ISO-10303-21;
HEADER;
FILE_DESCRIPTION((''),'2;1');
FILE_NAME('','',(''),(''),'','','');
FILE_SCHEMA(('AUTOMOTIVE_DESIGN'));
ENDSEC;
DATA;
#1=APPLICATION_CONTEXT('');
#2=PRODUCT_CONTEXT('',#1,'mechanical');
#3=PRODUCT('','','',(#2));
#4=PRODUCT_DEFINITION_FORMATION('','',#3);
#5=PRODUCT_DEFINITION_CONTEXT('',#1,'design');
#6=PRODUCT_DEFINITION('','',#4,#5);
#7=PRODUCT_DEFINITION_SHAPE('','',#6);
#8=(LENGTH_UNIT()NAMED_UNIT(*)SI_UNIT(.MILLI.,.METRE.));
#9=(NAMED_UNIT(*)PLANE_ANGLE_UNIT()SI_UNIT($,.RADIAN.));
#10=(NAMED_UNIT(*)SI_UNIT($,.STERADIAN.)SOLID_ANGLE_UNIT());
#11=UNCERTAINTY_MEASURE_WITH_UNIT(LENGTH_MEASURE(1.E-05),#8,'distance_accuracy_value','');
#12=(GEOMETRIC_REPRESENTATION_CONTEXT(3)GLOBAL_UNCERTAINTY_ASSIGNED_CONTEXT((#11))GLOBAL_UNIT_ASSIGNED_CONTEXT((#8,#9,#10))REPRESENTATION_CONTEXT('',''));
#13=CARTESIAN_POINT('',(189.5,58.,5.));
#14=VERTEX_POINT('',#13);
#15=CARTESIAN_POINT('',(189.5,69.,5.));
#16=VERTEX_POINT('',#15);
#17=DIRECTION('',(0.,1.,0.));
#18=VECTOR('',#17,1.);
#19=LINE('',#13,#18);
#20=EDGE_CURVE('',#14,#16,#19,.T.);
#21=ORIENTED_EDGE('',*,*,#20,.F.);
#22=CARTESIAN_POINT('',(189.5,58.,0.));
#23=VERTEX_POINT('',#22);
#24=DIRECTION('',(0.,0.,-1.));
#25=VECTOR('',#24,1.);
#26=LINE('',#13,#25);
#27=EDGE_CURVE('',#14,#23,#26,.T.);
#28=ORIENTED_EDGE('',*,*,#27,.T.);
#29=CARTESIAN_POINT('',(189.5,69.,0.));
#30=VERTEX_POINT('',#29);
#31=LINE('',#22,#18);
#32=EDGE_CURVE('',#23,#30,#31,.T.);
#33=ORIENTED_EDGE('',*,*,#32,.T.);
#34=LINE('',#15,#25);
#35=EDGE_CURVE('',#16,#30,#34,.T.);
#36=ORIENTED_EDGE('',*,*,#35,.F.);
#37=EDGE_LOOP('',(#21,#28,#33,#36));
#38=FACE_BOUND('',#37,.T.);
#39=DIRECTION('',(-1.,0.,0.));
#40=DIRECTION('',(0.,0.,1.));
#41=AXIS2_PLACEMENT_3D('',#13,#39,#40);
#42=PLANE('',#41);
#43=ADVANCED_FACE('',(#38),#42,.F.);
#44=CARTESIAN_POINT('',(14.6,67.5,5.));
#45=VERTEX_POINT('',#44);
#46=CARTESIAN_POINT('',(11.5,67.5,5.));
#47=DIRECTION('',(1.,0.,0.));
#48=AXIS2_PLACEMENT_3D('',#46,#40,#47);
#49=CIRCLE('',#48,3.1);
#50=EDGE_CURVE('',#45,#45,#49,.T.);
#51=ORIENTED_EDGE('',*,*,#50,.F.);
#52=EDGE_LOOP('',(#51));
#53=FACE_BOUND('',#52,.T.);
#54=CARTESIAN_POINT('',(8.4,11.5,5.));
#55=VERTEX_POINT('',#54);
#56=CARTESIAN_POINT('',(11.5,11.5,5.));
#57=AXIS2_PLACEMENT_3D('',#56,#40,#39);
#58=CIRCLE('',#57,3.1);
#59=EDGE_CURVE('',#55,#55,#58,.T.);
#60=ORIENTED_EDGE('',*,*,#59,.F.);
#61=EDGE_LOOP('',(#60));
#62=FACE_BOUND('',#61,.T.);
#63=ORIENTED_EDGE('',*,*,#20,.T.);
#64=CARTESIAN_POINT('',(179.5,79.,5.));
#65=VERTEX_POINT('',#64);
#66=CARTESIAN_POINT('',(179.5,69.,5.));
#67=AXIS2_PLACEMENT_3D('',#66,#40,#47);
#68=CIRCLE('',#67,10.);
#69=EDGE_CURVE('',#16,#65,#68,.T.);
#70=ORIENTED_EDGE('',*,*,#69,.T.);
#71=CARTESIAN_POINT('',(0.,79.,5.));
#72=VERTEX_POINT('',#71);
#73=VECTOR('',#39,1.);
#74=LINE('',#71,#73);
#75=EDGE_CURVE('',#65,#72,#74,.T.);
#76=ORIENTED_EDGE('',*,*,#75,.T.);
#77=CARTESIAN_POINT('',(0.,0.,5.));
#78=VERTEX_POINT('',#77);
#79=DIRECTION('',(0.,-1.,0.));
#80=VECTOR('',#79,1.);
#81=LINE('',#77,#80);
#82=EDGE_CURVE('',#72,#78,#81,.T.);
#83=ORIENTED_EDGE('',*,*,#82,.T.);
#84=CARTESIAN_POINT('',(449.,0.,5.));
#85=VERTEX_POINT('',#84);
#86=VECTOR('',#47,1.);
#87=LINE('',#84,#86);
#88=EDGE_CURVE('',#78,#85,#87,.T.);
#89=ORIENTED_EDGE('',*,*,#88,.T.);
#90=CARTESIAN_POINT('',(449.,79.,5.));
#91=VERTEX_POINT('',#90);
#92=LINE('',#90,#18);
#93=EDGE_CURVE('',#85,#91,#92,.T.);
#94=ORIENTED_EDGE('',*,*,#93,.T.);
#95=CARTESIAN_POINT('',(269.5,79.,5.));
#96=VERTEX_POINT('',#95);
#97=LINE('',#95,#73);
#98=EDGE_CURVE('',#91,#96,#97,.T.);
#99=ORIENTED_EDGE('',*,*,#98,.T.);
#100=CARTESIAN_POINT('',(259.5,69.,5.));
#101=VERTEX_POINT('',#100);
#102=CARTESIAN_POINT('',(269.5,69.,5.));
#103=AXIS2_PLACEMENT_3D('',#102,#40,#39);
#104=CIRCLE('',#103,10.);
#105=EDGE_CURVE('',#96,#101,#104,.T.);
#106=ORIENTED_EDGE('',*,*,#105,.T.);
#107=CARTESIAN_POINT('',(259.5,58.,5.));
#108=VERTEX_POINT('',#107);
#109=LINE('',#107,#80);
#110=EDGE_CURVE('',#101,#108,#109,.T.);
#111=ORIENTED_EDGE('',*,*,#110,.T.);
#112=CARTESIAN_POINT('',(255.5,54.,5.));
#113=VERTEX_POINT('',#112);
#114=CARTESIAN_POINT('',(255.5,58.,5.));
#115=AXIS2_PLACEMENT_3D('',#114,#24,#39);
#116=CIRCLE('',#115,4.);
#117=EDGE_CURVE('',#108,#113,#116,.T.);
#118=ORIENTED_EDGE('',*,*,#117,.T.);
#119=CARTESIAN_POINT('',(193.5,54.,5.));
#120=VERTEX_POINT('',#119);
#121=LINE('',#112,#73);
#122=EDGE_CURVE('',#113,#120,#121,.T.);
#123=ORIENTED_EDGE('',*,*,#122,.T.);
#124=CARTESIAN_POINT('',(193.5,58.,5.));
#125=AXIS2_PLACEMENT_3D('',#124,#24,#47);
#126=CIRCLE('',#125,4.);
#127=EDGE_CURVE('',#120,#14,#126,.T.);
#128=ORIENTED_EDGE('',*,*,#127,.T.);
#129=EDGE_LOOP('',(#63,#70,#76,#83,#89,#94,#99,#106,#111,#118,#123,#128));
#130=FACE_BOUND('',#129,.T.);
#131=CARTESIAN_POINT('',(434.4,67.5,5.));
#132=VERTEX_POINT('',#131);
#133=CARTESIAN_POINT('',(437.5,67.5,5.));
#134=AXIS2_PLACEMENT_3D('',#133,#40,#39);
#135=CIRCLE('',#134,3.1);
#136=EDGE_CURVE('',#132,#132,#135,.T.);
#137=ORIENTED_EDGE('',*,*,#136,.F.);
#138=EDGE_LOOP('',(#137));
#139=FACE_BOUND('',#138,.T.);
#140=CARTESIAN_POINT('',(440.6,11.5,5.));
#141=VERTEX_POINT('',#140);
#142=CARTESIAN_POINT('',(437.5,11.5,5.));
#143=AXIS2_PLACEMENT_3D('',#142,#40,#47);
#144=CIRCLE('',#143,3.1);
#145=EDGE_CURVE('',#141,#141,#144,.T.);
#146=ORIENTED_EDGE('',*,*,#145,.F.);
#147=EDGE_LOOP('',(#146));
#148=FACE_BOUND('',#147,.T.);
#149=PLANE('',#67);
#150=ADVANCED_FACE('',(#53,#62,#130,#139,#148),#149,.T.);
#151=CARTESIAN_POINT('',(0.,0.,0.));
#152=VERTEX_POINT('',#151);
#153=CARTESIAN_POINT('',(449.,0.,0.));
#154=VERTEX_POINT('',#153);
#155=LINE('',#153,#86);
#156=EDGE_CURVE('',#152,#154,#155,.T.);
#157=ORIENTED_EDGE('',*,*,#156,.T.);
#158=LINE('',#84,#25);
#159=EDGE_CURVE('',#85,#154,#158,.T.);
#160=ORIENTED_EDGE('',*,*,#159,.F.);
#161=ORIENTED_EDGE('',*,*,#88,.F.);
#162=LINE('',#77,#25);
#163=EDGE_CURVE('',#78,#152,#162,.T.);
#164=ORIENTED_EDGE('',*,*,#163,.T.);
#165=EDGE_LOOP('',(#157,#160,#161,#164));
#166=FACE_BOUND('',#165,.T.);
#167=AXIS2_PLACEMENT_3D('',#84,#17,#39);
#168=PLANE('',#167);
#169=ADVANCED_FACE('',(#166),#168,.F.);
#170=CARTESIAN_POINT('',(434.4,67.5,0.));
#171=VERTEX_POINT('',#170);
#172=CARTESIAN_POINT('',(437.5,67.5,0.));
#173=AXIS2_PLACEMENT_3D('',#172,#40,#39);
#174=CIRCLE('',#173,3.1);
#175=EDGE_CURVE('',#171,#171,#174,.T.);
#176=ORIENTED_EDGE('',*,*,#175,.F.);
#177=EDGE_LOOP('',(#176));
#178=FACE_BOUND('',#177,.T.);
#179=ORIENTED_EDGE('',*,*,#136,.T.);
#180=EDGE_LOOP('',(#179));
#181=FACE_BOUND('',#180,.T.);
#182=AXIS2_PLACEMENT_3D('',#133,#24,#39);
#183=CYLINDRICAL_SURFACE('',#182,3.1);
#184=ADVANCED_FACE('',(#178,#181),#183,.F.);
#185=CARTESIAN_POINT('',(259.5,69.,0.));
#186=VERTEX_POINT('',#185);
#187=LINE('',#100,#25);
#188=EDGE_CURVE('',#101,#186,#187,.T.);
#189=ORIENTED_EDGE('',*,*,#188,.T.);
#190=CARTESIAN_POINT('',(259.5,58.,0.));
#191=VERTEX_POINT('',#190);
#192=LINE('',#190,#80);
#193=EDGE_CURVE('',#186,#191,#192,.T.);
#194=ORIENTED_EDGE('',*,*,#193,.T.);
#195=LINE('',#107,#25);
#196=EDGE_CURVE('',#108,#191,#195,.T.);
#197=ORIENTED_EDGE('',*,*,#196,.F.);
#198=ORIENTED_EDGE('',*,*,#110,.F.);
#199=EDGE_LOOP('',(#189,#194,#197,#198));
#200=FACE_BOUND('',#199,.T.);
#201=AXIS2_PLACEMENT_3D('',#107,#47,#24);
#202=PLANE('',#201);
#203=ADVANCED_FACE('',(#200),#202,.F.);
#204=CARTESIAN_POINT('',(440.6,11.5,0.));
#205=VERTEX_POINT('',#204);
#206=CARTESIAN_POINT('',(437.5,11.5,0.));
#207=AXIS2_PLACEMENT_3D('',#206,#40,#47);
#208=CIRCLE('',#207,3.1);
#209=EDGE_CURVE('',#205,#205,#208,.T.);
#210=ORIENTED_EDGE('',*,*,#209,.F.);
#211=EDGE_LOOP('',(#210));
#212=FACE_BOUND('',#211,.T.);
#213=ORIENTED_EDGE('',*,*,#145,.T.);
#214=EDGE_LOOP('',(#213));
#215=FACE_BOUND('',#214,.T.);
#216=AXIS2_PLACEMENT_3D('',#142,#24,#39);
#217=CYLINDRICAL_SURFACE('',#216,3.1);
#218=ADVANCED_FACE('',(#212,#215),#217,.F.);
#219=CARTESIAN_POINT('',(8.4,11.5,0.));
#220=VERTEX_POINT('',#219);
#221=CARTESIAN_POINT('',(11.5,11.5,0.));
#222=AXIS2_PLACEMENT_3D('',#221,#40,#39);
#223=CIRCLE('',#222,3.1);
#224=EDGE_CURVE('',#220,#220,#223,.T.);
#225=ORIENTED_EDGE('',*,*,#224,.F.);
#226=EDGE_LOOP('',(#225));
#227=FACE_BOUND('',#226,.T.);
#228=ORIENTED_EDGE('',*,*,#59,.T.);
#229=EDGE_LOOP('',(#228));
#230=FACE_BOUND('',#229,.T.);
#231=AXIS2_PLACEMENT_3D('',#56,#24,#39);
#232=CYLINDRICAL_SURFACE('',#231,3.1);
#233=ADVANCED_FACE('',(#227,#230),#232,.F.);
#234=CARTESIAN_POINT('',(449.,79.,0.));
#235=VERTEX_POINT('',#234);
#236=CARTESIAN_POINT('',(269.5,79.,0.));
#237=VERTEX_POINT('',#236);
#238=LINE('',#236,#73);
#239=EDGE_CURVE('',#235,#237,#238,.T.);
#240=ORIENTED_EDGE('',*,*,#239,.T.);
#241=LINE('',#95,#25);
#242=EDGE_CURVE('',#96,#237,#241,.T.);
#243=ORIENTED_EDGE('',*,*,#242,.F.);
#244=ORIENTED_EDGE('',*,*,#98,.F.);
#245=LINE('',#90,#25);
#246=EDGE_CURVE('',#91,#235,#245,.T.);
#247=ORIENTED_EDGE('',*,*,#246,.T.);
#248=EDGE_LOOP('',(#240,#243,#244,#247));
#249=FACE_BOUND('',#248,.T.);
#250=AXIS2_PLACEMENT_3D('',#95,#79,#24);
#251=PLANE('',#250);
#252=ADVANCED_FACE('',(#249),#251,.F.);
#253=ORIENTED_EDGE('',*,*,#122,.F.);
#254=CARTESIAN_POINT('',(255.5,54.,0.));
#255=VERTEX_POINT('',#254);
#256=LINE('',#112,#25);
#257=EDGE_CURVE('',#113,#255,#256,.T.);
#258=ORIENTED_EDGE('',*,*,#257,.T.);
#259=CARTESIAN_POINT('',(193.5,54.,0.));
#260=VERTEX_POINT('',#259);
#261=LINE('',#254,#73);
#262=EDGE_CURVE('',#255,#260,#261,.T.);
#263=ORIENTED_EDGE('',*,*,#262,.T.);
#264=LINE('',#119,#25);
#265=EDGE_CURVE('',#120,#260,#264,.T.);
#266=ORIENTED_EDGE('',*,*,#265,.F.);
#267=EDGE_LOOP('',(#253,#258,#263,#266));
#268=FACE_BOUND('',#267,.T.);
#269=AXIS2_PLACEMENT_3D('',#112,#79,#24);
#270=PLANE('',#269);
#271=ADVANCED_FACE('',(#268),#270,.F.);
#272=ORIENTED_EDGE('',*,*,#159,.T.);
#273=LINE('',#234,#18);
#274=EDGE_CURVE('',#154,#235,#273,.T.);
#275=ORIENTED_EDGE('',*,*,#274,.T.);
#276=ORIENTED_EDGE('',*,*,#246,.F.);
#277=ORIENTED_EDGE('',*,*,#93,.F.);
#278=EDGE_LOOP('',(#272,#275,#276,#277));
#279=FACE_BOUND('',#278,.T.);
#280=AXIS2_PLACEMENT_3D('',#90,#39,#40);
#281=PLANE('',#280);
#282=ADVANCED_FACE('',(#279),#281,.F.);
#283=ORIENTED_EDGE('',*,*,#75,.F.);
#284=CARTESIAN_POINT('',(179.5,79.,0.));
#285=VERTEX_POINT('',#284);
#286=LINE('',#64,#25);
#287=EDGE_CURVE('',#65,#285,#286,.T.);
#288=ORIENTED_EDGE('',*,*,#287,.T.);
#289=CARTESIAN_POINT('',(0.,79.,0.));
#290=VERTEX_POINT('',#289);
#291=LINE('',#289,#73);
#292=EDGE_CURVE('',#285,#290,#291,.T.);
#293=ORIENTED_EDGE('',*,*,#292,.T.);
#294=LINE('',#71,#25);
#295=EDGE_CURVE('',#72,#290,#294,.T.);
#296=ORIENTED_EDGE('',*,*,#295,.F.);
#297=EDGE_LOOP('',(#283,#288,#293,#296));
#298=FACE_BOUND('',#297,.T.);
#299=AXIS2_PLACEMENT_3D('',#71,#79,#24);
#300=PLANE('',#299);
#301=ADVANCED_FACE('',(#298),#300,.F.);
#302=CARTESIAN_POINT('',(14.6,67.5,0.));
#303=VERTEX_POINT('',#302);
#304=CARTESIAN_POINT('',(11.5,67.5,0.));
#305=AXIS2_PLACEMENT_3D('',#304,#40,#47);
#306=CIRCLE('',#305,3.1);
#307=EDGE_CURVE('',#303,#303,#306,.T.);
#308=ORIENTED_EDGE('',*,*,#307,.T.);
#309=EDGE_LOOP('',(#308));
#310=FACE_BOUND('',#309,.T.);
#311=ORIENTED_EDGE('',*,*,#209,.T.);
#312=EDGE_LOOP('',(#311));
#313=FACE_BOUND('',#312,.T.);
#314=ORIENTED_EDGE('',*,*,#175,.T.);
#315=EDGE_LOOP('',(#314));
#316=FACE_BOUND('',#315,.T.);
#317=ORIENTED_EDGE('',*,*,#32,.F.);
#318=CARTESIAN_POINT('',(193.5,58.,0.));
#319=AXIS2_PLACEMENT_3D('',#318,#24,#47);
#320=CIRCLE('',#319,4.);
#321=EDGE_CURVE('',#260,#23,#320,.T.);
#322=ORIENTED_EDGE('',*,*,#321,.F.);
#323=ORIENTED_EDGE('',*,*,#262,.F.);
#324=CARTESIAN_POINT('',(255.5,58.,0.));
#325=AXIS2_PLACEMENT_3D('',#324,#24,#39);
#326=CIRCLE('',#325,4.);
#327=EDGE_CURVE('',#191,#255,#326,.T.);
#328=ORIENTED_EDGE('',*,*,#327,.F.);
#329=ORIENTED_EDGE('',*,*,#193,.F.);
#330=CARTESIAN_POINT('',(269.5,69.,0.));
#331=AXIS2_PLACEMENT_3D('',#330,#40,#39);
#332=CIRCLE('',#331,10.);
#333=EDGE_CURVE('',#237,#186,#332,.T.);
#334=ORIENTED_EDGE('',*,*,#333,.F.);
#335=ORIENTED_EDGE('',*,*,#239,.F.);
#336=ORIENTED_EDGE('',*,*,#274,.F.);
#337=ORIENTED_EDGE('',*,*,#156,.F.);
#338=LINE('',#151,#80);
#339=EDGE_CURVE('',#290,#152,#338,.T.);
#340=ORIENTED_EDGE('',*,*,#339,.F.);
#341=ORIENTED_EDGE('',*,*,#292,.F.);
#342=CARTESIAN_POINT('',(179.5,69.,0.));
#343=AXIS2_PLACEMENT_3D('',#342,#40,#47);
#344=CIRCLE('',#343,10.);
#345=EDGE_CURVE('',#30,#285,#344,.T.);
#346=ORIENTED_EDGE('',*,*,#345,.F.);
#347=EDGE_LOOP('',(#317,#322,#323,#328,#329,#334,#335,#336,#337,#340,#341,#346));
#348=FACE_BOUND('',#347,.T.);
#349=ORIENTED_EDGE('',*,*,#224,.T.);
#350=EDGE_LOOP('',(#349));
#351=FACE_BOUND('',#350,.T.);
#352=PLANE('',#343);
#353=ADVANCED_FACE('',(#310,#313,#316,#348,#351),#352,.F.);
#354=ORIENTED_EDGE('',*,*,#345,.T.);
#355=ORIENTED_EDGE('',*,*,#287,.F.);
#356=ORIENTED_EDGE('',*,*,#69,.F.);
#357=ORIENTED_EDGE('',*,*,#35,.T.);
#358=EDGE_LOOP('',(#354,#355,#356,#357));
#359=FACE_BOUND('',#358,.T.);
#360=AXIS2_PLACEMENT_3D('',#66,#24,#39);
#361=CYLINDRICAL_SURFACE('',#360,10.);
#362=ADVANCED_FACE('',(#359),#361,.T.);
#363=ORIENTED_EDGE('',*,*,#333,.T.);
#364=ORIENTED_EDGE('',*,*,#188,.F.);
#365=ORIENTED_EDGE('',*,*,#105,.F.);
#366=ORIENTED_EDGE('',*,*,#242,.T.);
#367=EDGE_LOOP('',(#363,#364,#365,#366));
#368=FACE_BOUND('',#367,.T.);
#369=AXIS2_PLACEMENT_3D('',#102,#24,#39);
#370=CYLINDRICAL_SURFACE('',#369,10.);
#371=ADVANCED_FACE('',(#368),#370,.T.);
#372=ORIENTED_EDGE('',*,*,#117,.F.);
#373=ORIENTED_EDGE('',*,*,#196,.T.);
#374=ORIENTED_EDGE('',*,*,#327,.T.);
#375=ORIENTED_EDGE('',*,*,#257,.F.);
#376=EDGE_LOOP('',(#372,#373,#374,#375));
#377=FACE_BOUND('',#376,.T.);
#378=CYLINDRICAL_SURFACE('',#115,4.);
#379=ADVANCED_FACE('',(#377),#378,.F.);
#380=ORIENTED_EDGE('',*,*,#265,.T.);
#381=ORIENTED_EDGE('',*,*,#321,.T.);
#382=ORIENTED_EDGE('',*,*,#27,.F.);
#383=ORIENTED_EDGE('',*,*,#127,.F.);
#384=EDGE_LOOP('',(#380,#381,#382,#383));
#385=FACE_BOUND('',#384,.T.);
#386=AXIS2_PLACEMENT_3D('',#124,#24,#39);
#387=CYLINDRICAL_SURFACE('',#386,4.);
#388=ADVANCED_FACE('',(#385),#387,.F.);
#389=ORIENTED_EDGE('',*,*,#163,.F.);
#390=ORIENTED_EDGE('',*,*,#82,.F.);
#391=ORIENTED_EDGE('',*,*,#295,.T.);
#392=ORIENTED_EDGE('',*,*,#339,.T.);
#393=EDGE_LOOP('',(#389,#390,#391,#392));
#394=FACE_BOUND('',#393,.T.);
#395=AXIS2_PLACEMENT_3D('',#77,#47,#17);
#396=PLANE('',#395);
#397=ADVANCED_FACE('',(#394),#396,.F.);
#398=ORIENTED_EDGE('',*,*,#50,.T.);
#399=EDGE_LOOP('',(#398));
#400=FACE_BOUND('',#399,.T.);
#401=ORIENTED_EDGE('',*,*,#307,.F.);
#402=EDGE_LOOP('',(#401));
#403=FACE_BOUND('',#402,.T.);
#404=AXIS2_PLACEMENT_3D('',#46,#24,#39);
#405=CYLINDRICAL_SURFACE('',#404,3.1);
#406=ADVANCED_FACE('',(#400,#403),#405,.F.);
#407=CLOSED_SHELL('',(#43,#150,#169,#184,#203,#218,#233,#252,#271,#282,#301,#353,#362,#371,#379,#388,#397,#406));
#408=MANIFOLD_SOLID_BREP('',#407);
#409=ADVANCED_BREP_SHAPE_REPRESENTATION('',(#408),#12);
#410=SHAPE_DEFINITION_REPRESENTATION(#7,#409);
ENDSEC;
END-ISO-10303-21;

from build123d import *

# Parameters (mm, degrees)
SKETCH_F_R                   = 3.1
ESTRUSIONE_ESTRUSIONE1_DEPTH = 5


with BuildPart() as part:
    # Sketch f → Estrusione-Estrusione1 (new body)
    with BuildSketch(Plane.XY):
        with BuildLine():
            Line((0, 0), (0, 79))
            Line((0, 79), (179.5, 79))
            ThreePointArc((179.5, 79), (186.571067812, 76.071067812), (189.5, 69))
            Line((189.5, 69), (189.5, 58))
            ThreePointArc((189.5, 58), (190.671572875, 55.171572875), (193.5, 54))
            Line((193.5, 54), (255.5, 54))
            ThreePointArc((255.5, 54), (258.328427125, 55.171572875), (259.5, 58))
            Line((259.5, 58), (259.5, 69))
            ThreePointArc((259.5, 69), (262.428932188, 76.071067812), (269.5, 79))
            Line((269.5, 79), (449, 79))
            Line((449, 79), (449, 0))
            Line((449, 0), (0, 0))
        make_face()
        with Locations((11.5, 67.5)):
            Circle(SKETCH_F_R, mode=Mode.SUBTRACT)
        with Locations((437.5, 67.5)):
            Circle(SKETCH_F_R, mode=Mode.SUBTRACT)
        with Locations((11.5, 11.5)):
            Circle(SKETCH_F_R, mode=Mode.SUBTRACT)
        with Locations((437.5, 11.5)):
            Circle(SKETCH_F_R, mode=Mode.SUBTRACT)
    extrude(amount=ESTRUSIONE_ESTRUSIONE1_DEPTH)


solid = part.part
